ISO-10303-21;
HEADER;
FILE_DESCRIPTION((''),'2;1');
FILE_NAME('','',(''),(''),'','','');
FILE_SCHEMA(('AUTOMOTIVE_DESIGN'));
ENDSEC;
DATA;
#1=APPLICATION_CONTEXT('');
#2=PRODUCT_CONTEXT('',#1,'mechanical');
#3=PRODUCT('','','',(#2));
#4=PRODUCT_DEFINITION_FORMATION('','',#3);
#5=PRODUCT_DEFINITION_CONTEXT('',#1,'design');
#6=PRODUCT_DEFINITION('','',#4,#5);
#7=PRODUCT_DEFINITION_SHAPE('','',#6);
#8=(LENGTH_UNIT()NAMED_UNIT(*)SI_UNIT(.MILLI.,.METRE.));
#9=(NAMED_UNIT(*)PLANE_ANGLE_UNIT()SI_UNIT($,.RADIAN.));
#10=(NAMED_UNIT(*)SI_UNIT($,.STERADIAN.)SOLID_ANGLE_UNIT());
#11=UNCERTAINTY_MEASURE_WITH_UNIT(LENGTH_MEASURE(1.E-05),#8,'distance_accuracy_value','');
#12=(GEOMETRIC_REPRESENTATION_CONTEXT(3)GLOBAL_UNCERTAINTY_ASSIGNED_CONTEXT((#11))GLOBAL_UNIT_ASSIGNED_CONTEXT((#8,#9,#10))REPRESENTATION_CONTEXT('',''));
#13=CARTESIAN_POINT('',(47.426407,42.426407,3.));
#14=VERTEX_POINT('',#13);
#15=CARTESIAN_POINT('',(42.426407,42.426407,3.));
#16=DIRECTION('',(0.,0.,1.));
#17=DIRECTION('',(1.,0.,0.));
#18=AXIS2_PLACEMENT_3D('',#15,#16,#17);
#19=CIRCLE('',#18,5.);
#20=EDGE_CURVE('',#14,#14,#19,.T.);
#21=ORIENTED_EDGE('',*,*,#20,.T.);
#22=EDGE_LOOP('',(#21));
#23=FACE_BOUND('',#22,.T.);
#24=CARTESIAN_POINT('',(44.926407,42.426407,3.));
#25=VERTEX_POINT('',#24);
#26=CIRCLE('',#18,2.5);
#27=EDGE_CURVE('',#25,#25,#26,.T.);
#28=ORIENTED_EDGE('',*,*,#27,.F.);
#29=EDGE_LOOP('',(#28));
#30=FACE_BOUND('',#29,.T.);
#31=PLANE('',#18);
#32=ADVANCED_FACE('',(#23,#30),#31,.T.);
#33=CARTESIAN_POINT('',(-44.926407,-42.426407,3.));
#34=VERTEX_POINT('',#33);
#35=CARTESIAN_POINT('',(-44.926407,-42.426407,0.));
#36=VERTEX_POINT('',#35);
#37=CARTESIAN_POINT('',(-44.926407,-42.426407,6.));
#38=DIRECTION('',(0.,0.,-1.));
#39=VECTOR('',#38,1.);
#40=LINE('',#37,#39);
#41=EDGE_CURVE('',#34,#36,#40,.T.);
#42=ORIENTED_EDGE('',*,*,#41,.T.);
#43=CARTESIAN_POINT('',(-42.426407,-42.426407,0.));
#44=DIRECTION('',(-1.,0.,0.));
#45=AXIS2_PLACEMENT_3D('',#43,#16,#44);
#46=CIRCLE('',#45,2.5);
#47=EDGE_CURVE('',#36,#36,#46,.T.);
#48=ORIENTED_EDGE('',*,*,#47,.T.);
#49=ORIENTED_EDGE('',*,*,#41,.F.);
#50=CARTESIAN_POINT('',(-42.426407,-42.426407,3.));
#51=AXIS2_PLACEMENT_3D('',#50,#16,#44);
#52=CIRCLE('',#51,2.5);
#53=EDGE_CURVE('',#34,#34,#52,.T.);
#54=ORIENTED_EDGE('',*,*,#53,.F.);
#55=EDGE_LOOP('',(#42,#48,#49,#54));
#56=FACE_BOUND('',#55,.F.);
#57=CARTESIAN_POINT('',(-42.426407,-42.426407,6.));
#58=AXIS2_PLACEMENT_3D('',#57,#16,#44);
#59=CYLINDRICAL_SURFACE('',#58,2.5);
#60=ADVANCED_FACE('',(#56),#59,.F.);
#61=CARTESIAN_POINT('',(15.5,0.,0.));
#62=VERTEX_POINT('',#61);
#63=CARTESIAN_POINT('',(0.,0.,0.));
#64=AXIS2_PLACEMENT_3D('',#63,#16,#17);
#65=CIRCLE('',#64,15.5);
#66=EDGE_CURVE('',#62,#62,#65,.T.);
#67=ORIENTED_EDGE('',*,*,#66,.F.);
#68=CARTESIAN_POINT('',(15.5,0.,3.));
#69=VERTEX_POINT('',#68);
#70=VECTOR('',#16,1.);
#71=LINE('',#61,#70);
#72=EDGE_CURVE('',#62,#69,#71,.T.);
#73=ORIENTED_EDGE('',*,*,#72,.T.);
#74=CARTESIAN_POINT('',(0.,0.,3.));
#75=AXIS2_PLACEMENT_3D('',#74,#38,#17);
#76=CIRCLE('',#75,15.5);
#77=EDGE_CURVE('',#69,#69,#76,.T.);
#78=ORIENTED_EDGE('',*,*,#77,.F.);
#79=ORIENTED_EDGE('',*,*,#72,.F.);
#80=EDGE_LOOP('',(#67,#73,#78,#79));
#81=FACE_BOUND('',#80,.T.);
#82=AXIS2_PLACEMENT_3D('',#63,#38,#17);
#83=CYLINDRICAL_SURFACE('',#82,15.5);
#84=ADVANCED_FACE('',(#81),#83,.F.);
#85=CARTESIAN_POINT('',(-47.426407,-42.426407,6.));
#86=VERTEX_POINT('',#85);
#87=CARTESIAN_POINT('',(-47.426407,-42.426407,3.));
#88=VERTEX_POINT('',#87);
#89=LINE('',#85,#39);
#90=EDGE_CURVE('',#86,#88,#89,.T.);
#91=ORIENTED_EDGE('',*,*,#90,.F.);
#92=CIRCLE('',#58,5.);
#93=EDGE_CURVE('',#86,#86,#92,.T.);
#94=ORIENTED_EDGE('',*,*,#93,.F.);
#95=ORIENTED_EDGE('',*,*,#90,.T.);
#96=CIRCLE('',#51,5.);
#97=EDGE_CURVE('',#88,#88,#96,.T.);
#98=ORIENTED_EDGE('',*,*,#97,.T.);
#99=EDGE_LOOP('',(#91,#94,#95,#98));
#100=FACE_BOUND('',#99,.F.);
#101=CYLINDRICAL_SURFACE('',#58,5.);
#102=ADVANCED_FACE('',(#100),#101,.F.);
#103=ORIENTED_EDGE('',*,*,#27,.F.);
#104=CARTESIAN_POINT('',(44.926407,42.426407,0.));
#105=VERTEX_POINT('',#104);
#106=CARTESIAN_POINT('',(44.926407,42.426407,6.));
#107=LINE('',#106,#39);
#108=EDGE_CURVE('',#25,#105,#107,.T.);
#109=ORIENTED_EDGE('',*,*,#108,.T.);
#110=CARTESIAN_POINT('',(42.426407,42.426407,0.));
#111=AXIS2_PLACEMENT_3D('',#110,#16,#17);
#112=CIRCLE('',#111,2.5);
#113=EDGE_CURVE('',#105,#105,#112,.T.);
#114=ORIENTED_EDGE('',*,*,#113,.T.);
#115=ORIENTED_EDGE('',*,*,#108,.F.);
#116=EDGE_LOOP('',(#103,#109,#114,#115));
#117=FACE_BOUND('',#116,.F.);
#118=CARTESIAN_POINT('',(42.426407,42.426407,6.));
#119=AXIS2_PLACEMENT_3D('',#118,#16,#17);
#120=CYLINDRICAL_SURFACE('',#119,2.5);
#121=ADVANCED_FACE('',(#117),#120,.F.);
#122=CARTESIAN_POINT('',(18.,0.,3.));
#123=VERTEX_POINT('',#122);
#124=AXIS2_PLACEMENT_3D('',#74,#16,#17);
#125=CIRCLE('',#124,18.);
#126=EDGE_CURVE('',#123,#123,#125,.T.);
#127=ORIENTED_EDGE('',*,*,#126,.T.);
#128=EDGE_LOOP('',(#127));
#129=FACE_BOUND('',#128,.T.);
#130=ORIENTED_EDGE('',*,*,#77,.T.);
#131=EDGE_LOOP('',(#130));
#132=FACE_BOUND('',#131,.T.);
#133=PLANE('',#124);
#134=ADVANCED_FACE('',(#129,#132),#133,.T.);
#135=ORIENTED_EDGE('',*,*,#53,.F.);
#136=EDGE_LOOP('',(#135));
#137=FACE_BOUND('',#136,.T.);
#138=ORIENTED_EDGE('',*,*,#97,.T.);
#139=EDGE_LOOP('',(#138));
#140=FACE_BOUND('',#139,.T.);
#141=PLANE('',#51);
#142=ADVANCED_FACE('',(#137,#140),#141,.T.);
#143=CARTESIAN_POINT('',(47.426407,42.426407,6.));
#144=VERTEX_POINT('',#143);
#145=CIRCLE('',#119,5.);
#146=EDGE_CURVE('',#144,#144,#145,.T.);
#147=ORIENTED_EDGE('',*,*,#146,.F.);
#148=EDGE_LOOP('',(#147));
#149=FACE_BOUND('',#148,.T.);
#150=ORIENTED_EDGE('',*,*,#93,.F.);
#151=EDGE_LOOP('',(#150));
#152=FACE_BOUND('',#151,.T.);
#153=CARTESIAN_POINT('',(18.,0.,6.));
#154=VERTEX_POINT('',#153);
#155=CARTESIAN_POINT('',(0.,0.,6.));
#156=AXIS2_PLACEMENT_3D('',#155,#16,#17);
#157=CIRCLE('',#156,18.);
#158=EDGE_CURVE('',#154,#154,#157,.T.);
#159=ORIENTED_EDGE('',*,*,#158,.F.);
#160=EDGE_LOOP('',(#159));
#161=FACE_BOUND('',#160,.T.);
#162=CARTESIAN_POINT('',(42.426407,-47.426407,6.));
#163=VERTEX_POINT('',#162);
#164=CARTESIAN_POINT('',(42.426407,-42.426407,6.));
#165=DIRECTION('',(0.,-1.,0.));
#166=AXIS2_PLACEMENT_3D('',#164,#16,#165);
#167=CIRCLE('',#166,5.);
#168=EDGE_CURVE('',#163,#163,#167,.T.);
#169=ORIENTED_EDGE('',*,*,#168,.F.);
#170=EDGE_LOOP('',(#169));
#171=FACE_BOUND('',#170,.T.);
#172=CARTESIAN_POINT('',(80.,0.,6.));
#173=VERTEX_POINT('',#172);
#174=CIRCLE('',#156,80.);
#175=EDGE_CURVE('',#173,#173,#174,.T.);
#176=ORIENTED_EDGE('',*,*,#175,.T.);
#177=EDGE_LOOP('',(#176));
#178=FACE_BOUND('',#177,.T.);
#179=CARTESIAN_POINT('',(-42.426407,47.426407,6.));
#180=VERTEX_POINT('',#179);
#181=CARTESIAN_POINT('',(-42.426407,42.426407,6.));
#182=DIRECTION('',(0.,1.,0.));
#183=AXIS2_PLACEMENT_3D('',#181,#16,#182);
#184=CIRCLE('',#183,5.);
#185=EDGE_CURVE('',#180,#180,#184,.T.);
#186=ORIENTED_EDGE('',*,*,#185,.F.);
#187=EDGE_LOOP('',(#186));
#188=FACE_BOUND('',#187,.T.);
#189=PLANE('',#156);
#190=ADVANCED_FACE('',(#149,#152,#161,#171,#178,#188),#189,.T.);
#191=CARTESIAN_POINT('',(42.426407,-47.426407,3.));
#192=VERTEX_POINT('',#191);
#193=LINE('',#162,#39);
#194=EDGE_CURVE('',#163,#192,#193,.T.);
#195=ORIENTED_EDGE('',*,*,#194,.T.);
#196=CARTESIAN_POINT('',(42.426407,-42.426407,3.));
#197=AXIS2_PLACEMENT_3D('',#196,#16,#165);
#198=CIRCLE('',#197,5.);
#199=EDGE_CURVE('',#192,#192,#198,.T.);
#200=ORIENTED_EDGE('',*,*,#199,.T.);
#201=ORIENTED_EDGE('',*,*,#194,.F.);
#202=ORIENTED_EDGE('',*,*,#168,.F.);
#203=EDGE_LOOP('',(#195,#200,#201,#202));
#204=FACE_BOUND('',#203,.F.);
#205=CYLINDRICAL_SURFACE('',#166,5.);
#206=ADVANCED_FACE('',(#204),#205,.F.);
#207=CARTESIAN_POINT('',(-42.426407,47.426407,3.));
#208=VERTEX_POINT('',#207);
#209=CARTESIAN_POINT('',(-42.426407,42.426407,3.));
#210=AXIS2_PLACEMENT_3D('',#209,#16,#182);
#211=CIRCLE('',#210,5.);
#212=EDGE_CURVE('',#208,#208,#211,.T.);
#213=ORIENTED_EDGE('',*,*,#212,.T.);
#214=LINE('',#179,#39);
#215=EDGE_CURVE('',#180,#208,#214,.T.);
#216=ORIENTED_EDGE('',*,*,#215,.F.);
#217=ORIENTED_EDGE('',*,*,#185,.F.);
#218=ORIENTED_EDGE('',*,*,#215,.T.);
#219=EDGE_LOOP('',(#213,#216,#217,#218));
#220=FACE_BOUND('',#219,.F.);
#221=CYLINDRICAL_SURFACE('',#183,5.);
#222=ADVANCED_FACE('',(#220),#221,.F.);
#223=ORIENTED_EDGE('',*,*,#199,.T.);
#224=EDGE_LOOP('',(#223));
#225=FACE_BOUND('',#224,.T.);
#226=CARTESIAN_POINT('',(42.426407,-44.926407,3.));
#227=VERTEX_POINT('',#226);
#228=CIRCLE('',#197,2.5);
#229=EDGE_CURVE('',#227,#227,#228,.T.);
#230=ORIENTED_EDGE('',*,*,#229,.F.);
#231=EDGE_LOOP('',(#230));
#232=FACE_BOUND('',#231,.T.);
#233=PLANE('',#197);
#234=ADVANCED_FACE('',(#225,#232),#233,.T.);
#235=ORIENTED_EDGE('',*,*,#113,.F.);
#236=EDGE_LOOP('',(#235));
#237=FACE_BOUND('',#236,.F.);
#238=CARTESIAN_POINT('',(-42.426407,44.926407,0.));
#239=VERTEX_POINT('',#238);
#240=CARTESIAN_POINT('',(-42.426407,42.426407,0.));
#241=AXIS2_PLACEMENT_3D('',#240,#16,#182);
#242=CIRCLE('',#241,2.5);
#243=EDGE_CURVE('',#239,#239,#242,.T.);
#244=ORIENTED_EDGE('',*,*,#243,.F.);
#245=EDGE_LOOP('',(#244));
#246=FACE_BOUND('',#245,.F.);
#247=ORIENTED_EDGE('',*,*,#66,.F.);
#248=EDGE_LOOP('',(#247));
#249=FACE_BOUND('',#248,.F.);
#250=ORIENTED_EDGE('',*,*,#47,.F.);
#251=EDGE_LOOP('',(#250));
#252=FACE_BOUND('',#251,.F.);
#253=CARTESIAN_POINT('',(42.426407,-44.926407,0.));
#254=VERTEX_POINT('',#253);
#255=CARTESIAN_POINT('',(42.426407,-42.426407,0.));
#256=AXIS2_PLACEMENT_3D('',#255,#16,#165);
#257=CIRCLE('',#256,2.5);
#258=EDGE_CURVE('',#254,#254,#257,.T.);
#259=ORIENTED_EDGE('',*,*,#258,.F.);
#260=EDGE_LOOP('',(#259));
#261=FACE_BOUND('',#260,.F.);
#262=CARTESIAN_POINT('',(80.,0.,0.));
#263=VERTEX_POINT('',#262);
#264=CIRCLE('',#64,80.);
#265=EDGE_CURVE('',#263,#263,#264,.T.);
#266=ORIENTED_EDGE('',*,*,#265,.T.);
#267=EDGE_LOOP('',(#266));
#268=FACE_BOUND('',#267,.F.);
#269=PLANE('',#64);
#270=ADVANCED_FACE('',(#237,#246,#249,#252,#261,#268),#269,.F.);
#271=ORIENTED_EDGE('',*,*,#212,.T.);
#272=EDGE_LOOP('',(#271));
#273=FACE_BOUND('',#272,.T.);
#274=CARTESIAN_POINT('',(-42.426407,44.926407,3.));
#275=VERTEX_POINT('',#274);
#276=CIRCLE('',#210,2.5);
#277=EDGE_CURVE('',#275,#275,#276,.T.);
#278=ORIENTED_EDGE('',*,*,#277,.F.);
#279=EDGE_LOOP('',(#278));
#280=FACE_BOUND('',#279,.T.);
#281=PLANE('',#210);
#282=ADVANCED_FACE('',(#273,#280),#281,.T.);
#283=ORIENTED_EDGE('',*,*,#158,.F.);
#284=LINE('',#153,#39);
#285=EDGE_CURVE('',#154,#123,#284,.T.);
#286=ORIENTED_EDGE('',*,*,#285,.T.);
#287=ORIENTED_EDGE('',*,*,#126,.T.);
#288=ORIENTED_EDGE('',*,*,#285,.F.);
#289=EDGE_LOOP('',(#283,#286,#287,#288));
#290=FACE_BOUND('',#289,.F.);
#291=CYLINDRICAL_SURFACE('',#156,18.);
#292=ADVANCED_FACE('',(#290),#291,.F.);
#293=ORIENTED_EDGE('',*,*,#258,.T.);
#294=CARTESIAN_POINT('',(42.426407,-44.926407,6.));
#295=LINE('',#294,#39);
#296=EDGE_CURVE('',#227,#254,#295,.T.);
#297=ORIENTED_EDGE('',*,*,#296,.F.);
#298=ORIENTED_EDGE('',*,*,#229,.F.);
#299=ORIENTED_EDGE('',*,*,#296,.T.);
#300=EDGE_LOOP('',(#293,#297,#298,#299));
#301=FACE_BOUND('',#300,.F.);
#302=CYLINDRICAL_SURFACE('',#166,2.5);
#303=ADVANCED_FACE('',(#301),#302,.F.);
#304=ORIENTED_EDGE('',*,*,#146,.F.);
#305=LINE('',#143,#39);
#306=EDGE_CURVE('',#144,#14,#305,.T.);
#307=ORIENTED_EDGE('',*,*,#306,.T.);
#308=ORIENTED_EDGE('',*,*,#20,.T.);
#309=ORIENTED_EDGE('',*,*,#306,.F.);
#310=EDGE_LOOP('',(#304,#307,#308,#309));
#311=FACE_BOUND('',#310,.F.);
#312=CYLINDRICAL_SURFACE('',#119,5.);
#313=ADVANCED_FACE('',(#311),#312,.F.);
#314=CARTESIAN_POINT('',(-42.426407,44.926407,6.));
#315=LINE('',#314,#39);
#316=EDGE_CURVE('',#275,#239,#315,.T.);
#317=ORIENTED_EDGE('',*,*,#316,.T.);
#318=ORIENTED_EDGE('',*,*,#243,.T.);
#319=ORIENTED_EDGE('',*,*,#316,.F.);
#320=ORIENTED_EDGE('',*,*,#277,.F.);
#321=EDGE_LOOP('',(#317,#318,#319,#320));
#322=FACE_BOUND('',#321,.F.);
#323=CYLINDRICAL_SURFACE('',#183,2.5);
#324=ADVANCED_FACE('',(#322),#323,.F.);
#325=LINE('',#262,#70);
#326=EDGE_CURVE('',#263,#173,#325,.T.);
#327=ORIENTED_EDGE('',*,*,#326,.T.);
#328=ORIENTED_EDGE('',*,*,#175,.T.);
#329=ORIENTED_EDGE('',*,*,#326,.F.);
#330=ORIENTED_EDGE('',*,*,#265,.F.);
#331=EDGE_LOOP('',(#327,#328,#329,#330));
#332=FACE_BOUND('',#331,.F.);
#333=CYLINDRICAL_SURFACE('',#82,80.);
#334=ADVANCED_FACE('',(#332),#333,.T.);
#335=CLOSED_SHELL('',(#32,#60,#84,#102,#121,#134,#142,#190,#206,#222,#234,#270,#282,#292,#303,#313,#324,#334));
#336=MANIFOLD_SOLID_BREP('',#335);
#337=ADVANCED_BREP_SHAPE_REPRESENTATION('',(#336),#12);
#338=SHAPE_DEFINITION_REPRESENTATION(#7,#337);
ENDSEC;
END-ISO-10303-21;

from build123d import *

# Parameters (mm, degrees)
SKETCH006_R           = 80
SKETCH006_R_2         = 15.5
PAD002_DEPTH          = 6
SKETCH007_R           = 2.5
POCKET004_DEPTH       = 6
POLARPATTERN002_COUNT = 4
SKETCH008_R           = 5
POCKET005_DEPTH       = 3
POLARPATTERN003_COUNT = 4
SKETCH009_R           = 18
POCKET006_DEPTH       = 3


with BuildPart() as part:
    # Sketch006 → Pad002 (new body)
    with BuildSketch(Plane.XY):
        Circle(SKETCH006_R)
        Circle(SKETCH006_R_2, mode=Mode.SUBTRACT)
    extrude(amount=PAD002_DEPTH)

    # Sketch007 (on Face4 of Pad002) → Pocket004 (cut)
    with BuildSketch(Plane.XY.offset(6)):
        with Locations((42.426407, 42.426407)):
            Circle(SKETCH007_R)
    pocket004 = extrude(amount=-POCKET004_DEPTH, mode=Mode.SUBTRACT)

    # PolarPattern002: Pocket004 ×4 about axis
    polarpattern002_axis = Axis((0, 0, 6), (0, 0, 1))
    for i in range(1, POLARPATTERN002_COUNT):
        add(pocket004.rotate(polarpattern002_axis, i * 360 / POLARPATTERN002_COUNT), mode=Mode.SUBTRACT)

    # Sketch008 (on Face3 of PolarPattern002) → Pocket005 (cut)
    with BuildSketch(Plane.XY.offset(6)):
        with Locations((42.426407, 42.426407)):
            Circle(SKETCH008_R)
    pocket005 = extrude(amount=-POCKET005_DEPTH, mode=Mode.SUBTRACT)

    # PolarPattern003: Pocket005 ×4 about axis
    polarpattern003_axis = Axis((0, 0, 6), (0, 0, 1))
    for i in range(1, POLARPATTERN003_COUNT):
        add(pocket005.rotate(polarpattern003_axis, i * 360 / POLARPATTERN003_COUNT), mode=Mode.SUBTRACT)

    # Sketch009 (on Face3 of PolarPattern003) → Pocket006 (cut)
    with BuildSketch(Plane.XY.offset(6)):
        Circle(SKETCH009_R)
    extrude(amount=-POCKET006_DEPTH, mode=Mode.SUBTRACT)


solid = part.part
